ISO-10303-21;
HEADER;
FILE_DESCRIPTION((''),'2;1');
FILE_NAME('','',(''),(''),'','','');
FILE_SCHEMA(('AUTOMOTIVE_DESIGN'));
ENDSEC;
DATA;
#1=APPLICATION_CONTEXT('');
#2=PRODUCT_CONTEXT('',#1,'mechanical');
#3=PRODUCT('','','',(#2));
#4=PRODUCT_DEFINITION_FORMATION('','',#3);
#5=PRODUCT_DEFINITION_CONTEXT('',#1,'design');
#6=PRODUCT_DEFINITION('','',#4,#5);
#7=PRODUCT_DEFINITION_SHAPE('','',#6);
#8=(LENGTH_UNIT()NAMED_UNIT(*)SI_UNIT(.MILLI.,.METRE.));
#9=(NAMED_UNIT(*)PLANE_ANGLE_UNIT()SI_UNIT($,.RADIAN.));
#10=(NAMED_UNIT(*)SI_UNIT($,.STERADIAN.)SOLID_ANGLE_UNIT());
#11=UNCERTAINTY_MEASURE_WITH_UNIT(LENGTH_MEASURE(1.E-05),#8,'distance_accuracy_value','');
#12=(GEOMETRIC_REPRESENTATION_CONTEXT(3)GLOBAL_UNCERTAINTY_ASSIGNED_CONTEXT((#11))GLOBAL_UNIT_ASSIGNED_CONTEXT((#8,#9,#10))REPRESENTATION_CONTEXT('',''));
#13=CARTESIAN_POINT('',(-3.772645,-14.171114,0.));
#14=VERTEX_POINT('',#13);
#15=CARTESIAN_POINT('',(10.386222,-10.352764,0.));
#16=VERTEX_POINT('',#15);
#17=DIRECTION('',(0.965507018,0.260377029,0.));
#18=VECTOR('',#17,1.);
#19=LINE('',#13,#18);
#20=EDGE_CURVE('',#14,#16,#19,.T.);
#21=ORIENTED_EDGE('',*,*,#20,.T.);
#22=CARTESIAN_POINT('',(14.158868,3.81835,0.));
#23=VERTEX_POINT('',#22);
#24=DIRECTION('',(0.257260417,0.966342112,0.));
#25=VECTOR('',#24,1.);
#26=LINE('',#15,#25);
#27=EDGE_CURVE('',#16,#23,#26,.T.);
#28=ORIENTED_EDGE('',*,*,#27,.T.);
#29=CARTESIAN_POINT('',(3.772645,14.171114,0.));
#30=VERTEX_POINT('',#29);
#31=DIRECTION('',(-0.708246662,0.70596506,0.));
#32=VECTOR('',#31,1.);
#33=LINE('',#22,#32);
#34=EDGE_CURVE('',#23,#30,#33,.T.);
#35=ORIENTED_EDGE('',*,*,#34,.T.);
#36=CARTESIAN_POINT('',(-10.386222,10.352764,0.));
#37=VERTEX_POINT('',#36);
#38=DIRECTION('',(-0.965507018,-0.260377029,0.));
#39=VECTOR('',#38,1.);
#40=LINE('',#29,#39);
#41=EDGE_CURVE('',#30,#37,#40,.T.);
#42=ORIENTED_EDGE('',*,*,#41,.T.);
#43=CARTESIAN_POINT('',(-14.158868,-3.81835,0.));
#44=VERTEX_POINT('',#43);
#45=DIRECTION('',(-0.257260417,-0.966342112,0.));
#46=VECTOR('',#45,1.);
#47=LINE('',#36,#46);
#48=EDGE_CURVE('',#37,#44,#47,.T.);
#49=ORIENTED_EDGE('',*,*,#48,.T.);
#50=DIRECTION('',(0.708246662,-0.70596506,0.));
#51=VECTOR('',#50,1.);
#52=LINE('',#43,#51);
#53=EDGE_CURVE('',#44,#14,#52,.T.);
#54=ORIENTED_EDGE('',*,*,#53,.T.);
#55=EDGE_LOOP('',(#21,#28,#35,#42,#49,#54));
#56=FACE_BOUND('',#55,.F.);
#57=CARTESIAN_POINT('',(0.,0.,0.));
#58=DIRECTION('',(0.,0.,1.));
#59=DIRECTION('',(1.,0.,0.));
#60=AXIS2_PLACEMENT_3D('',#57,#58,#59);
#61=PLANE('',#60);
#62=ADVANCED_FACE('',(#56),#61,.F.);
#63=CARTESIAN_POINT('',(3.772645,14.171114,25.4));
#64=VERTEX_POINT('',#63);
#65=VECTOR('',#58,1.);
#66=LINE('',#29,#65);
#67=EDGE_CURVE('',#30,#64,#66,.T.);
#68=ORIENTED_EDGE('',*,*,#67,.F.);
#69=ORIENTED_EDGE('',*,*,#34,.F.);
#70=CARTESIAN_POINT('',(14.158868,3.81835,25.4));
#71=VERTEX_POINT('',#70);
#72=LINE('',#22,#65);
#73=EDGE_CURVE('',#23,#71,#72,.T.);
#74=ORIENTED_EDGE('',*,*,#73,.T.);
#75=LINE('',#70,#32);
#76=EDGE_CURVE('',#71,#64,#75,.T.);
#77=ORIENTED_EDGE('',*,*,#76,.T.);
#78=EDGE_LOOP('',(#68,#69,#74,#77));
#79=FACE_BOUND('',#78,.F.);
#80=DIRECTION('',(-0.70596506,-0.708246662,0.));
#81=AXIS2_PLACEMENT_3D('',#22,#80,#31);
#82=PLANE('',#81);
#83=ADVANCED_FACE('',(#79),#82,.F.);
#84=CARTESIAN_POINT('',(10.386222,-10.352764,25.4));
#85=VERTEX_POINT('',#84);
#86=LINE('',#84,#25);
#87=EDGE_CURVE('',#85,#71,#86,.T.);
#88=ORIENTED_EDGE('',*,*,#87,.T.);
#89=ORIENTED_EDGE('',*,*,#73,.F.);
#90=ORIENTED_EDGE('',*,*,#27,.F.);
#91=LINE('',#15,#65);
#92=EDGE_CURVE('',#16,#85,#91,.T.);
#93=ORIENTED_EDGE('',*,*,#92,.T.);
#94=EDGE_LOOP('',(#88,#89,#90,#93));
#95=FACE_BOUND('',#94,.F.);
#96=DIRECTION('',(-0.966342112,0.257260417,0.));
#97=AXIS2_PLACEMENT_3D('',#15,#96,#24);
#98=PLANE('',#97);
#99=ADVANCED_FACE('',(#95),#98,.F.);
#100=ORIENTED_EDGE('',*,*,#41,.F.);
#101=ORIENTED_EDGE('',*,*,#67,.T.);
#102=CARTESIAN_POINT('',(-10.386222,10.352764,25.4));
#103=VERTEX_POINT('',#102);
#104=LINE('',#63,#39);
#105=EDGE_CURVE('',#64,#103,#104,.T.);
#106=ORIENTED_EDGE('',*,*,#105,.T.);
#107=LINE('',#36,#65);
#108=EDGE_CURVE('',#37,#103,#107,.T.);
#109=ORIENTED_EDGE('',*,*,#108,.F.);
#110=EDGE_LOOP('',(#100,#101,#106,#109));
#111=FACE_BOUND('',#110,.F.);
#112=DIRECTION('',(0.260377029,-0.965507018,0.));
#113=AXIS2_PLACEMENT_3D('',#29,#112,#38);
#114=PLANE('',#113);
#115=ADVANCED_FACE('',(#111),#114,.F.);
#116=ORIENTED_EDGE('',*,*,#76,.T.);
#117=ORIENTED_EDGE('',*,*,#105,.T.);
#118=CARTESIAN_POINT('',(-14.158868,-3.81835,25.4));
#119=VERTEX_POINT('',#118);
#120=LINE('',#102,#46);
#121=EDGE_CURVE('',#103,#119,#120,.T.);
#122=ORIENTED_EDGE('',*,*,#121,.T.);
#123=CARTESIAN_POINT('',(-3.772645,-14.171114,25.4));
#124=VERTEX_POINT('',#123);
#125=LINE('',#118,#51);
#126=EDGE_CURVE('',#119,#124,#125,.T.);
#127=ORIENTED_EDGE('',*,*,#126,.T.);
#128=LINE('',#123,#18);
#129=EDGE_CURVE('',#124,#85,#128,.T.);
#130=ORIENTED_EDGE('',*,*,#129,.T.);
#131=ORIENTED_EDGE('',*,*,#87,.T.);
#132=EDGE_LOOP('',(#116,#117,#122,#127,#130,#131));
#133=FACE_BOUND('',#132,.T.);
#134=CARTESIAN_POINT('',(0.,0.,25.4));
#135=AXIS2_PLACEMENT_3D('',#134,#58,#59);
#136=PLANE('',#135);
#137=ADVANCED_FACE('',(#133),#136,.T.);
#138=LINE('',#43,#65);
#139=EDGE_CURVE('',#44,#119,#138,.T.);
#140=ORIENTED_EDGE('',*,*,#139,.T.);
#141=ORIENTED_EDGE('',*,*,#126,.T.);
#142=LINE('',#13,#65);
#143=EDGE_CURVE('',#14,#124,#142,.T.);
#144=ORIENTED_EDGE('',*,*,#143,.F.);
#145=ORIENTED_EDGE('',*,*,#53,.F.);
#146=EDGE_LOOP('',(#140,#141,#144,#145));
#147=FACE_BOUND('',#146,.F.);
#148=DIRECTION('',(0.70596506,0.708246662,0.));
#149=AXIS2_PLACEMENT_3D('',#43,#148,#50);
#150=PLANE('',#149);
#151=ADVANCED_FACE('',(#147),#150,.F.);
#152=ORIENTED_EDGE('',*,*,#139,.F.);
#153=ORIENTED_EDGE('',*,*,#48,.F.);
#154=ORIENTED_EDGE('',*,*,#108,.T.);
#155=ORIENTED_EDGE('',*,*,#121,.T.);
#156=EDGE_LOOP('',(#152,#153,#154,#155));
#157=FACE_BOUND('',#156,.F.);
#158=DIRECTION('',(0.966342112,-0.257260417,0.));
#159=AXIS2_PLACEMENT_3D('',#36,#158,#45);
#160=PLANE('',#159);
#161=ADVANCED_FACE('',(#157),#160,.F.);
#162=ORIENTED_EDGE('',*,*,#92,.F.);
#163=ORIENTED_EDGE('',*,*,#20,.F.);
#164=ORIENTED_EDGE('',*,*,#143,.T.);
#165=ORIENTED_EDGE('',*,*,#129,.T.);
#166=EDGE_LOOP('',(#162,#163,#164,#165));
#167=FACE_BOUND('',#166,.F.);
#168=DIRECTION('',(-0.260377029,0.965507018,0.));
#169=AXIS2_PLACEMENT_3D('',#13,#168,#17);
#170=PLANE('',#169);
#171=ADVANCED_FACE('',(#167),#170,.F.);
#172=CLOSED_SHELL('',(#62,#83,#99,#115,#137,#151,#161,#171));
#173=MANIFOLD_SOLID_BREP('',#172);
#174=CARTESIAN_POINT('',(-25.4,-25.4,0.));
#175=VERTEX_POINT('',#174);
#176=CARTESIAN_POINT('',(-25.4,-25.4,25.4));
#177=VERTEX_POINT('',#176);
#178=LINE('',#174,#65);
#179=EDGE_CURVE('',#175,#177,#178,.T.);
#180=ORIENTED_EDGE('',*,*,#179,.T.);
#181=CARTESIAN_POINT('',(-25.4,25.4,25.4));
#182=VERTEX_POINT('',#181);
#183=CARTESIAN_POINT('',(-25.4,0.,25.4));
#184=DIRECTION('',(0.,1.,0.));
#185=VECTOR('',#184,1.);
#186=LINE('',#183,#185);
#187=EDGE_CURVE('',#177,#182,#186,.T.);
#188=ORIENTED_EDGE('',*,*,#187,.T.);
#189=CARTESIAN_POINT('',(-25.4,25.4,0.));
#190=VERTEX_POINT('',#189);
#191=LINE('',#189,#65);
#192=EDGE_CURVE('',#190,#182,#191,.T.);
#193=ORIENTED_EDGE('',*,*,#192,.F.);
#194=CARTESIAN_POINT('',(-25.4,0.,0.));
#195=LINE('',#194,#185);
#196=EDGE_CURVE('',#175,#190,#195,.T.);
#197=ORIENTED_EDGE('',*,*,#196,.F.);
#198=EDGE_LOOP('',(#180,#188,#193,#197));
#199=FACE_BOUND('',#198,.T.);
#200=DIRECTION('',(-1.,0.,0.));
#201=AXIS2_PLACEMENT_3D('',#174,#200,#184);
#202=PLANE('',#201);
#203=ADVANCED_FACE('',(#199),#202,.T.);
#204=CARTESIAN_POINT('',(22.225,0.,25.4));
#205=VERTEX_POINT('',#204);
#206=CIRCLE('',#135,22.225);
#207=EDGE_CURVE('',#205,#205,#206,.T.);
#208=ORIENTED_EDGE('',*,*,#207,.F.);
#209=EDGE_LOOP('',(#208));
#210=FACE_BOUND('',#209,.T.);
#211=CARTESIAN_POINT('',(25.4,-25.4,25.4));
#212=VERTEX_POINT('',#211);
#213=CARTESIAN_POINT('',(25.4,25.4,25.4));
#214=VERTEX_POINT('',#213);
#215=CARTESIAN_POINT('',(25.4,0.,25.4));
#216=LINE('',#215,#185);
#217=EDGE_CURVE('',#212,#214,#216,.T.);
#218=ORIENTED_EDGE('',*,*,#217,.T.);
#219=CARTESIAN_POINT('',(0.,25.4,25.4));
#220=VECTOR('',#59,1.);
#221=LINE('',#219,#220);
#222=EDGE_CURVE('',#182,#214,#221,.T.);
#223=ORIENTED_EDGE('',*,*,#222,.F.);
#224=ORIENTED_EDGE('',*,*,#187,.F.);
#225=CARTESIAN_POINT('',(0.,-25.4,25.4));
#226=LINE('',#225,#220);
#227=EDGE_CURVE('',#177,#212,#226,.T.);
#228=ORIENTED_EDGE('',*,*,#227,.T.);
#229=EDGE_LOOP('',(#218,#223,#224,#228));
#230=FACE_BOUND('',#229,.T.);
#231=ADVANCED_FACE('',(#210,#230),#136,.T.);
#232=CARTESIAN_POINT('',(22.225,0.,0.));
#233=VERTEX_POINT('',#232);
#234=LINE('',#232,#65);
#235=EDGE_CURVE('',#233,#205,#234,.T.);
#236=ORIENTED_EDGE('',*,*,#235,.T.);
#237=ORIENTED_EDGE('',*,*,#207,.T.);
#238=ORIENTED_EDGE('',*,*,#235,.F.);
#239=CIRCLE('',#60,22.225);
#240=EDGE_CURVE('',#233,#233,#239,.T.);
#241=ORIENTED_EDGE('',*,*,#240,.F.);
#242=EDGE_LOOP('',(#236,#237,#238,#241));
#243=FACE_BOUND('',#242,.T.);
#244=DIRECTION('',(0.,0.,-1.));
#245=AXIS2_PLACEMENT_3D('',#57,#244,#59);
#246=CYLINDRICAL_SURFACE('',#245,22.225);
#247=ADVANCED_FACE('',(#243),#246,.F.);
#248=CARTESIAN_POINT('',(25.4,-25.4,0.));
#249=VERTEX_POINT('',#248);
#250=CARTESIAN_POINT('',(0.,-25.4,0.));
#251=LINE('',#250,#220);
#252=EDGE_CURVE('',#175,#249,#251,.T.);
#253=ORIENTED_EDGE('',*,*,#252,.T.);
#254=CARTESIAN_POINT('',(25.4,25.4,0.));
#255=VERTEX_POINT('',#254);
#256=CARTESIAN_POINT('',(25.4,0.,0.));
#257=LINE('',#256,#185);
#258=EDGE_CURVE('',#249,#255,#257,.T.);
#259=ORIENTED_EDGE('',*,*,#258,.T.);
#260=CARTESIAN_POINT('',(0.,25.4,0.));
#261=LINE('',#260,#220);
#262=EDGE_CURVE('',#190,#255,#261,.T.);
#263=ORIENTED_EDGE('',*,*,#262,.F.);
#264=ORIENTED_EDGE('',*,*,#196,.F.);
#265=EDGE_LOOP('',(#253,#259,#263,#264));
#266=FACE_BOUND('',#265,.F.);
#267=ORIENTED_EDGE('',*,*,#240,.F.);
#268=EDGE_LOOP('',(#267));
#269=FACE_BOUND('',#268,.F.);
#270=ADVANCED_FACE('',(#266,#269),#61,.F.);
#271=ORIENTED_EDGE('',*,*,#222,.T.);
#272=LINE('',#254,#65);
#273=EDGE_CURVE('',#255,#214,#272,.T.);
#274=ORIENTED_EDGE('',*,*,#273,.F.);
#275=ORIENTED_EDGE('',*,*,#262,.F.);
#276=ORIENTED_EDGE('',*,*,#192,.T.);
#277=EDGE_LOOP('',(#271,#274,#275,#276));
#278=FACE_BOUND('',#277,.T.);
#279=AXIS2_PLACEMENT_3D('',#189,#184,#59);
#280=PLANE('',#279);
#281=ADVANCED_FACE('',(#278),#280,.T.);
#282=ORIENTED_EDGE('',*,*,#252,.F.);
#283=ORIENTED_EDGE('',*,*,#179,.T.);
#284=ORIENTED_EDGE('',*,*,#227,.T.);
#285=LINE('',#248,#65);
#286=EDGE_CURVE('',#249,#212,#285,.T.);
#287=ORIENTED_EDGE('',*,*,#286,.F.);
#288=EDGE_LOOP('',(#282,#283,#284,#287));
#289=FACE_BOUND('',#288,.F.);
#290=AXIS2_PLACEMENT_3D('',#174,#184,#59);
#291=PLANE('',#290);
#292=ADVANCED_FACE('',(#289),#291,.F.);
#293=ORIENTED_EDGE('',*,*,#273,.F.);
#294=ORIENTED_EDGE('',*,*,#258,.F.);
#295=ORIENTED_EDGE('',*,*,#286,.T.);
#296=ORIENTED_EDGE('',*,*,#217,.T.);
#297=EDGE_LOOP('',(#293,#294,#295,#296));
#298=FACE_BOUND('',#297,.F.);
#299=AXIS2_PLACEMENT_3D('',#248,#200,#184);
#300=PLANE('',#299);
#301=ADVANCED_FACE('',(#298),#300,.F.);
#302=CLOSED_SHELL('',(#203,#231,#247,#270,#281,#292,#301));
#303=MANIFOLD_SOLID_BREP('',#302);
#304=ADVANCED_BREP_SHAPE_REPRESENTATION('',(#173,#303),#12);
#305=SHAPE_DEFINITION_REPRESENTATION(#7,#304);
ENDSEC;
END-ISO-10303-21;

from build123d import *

# Parameters (mm, degrees)
F0_W     = 50.8
F0_H     = 50.8
F0_R     = 22.225
F1_DEPTH = 25.4


with BuildPart() as f1:
    # F0 (on Top) → F1 (new body)
    with BuildSketch(Plane.XY):
        Rectangle(F0_W, F0_H)
        Circle(F0_R, mode=Mode.SUBTRACT)
        Polygon((10.386222, -10.352764), (14.158868, 3.81835), (3.772645, 14.171114), (-10.386222, 10.352764), (-14.158868, -3.81835), (-3.772645, -14.171114), align=None)
    extrude(amount=F1_DEPTH)


solid = f1.part
